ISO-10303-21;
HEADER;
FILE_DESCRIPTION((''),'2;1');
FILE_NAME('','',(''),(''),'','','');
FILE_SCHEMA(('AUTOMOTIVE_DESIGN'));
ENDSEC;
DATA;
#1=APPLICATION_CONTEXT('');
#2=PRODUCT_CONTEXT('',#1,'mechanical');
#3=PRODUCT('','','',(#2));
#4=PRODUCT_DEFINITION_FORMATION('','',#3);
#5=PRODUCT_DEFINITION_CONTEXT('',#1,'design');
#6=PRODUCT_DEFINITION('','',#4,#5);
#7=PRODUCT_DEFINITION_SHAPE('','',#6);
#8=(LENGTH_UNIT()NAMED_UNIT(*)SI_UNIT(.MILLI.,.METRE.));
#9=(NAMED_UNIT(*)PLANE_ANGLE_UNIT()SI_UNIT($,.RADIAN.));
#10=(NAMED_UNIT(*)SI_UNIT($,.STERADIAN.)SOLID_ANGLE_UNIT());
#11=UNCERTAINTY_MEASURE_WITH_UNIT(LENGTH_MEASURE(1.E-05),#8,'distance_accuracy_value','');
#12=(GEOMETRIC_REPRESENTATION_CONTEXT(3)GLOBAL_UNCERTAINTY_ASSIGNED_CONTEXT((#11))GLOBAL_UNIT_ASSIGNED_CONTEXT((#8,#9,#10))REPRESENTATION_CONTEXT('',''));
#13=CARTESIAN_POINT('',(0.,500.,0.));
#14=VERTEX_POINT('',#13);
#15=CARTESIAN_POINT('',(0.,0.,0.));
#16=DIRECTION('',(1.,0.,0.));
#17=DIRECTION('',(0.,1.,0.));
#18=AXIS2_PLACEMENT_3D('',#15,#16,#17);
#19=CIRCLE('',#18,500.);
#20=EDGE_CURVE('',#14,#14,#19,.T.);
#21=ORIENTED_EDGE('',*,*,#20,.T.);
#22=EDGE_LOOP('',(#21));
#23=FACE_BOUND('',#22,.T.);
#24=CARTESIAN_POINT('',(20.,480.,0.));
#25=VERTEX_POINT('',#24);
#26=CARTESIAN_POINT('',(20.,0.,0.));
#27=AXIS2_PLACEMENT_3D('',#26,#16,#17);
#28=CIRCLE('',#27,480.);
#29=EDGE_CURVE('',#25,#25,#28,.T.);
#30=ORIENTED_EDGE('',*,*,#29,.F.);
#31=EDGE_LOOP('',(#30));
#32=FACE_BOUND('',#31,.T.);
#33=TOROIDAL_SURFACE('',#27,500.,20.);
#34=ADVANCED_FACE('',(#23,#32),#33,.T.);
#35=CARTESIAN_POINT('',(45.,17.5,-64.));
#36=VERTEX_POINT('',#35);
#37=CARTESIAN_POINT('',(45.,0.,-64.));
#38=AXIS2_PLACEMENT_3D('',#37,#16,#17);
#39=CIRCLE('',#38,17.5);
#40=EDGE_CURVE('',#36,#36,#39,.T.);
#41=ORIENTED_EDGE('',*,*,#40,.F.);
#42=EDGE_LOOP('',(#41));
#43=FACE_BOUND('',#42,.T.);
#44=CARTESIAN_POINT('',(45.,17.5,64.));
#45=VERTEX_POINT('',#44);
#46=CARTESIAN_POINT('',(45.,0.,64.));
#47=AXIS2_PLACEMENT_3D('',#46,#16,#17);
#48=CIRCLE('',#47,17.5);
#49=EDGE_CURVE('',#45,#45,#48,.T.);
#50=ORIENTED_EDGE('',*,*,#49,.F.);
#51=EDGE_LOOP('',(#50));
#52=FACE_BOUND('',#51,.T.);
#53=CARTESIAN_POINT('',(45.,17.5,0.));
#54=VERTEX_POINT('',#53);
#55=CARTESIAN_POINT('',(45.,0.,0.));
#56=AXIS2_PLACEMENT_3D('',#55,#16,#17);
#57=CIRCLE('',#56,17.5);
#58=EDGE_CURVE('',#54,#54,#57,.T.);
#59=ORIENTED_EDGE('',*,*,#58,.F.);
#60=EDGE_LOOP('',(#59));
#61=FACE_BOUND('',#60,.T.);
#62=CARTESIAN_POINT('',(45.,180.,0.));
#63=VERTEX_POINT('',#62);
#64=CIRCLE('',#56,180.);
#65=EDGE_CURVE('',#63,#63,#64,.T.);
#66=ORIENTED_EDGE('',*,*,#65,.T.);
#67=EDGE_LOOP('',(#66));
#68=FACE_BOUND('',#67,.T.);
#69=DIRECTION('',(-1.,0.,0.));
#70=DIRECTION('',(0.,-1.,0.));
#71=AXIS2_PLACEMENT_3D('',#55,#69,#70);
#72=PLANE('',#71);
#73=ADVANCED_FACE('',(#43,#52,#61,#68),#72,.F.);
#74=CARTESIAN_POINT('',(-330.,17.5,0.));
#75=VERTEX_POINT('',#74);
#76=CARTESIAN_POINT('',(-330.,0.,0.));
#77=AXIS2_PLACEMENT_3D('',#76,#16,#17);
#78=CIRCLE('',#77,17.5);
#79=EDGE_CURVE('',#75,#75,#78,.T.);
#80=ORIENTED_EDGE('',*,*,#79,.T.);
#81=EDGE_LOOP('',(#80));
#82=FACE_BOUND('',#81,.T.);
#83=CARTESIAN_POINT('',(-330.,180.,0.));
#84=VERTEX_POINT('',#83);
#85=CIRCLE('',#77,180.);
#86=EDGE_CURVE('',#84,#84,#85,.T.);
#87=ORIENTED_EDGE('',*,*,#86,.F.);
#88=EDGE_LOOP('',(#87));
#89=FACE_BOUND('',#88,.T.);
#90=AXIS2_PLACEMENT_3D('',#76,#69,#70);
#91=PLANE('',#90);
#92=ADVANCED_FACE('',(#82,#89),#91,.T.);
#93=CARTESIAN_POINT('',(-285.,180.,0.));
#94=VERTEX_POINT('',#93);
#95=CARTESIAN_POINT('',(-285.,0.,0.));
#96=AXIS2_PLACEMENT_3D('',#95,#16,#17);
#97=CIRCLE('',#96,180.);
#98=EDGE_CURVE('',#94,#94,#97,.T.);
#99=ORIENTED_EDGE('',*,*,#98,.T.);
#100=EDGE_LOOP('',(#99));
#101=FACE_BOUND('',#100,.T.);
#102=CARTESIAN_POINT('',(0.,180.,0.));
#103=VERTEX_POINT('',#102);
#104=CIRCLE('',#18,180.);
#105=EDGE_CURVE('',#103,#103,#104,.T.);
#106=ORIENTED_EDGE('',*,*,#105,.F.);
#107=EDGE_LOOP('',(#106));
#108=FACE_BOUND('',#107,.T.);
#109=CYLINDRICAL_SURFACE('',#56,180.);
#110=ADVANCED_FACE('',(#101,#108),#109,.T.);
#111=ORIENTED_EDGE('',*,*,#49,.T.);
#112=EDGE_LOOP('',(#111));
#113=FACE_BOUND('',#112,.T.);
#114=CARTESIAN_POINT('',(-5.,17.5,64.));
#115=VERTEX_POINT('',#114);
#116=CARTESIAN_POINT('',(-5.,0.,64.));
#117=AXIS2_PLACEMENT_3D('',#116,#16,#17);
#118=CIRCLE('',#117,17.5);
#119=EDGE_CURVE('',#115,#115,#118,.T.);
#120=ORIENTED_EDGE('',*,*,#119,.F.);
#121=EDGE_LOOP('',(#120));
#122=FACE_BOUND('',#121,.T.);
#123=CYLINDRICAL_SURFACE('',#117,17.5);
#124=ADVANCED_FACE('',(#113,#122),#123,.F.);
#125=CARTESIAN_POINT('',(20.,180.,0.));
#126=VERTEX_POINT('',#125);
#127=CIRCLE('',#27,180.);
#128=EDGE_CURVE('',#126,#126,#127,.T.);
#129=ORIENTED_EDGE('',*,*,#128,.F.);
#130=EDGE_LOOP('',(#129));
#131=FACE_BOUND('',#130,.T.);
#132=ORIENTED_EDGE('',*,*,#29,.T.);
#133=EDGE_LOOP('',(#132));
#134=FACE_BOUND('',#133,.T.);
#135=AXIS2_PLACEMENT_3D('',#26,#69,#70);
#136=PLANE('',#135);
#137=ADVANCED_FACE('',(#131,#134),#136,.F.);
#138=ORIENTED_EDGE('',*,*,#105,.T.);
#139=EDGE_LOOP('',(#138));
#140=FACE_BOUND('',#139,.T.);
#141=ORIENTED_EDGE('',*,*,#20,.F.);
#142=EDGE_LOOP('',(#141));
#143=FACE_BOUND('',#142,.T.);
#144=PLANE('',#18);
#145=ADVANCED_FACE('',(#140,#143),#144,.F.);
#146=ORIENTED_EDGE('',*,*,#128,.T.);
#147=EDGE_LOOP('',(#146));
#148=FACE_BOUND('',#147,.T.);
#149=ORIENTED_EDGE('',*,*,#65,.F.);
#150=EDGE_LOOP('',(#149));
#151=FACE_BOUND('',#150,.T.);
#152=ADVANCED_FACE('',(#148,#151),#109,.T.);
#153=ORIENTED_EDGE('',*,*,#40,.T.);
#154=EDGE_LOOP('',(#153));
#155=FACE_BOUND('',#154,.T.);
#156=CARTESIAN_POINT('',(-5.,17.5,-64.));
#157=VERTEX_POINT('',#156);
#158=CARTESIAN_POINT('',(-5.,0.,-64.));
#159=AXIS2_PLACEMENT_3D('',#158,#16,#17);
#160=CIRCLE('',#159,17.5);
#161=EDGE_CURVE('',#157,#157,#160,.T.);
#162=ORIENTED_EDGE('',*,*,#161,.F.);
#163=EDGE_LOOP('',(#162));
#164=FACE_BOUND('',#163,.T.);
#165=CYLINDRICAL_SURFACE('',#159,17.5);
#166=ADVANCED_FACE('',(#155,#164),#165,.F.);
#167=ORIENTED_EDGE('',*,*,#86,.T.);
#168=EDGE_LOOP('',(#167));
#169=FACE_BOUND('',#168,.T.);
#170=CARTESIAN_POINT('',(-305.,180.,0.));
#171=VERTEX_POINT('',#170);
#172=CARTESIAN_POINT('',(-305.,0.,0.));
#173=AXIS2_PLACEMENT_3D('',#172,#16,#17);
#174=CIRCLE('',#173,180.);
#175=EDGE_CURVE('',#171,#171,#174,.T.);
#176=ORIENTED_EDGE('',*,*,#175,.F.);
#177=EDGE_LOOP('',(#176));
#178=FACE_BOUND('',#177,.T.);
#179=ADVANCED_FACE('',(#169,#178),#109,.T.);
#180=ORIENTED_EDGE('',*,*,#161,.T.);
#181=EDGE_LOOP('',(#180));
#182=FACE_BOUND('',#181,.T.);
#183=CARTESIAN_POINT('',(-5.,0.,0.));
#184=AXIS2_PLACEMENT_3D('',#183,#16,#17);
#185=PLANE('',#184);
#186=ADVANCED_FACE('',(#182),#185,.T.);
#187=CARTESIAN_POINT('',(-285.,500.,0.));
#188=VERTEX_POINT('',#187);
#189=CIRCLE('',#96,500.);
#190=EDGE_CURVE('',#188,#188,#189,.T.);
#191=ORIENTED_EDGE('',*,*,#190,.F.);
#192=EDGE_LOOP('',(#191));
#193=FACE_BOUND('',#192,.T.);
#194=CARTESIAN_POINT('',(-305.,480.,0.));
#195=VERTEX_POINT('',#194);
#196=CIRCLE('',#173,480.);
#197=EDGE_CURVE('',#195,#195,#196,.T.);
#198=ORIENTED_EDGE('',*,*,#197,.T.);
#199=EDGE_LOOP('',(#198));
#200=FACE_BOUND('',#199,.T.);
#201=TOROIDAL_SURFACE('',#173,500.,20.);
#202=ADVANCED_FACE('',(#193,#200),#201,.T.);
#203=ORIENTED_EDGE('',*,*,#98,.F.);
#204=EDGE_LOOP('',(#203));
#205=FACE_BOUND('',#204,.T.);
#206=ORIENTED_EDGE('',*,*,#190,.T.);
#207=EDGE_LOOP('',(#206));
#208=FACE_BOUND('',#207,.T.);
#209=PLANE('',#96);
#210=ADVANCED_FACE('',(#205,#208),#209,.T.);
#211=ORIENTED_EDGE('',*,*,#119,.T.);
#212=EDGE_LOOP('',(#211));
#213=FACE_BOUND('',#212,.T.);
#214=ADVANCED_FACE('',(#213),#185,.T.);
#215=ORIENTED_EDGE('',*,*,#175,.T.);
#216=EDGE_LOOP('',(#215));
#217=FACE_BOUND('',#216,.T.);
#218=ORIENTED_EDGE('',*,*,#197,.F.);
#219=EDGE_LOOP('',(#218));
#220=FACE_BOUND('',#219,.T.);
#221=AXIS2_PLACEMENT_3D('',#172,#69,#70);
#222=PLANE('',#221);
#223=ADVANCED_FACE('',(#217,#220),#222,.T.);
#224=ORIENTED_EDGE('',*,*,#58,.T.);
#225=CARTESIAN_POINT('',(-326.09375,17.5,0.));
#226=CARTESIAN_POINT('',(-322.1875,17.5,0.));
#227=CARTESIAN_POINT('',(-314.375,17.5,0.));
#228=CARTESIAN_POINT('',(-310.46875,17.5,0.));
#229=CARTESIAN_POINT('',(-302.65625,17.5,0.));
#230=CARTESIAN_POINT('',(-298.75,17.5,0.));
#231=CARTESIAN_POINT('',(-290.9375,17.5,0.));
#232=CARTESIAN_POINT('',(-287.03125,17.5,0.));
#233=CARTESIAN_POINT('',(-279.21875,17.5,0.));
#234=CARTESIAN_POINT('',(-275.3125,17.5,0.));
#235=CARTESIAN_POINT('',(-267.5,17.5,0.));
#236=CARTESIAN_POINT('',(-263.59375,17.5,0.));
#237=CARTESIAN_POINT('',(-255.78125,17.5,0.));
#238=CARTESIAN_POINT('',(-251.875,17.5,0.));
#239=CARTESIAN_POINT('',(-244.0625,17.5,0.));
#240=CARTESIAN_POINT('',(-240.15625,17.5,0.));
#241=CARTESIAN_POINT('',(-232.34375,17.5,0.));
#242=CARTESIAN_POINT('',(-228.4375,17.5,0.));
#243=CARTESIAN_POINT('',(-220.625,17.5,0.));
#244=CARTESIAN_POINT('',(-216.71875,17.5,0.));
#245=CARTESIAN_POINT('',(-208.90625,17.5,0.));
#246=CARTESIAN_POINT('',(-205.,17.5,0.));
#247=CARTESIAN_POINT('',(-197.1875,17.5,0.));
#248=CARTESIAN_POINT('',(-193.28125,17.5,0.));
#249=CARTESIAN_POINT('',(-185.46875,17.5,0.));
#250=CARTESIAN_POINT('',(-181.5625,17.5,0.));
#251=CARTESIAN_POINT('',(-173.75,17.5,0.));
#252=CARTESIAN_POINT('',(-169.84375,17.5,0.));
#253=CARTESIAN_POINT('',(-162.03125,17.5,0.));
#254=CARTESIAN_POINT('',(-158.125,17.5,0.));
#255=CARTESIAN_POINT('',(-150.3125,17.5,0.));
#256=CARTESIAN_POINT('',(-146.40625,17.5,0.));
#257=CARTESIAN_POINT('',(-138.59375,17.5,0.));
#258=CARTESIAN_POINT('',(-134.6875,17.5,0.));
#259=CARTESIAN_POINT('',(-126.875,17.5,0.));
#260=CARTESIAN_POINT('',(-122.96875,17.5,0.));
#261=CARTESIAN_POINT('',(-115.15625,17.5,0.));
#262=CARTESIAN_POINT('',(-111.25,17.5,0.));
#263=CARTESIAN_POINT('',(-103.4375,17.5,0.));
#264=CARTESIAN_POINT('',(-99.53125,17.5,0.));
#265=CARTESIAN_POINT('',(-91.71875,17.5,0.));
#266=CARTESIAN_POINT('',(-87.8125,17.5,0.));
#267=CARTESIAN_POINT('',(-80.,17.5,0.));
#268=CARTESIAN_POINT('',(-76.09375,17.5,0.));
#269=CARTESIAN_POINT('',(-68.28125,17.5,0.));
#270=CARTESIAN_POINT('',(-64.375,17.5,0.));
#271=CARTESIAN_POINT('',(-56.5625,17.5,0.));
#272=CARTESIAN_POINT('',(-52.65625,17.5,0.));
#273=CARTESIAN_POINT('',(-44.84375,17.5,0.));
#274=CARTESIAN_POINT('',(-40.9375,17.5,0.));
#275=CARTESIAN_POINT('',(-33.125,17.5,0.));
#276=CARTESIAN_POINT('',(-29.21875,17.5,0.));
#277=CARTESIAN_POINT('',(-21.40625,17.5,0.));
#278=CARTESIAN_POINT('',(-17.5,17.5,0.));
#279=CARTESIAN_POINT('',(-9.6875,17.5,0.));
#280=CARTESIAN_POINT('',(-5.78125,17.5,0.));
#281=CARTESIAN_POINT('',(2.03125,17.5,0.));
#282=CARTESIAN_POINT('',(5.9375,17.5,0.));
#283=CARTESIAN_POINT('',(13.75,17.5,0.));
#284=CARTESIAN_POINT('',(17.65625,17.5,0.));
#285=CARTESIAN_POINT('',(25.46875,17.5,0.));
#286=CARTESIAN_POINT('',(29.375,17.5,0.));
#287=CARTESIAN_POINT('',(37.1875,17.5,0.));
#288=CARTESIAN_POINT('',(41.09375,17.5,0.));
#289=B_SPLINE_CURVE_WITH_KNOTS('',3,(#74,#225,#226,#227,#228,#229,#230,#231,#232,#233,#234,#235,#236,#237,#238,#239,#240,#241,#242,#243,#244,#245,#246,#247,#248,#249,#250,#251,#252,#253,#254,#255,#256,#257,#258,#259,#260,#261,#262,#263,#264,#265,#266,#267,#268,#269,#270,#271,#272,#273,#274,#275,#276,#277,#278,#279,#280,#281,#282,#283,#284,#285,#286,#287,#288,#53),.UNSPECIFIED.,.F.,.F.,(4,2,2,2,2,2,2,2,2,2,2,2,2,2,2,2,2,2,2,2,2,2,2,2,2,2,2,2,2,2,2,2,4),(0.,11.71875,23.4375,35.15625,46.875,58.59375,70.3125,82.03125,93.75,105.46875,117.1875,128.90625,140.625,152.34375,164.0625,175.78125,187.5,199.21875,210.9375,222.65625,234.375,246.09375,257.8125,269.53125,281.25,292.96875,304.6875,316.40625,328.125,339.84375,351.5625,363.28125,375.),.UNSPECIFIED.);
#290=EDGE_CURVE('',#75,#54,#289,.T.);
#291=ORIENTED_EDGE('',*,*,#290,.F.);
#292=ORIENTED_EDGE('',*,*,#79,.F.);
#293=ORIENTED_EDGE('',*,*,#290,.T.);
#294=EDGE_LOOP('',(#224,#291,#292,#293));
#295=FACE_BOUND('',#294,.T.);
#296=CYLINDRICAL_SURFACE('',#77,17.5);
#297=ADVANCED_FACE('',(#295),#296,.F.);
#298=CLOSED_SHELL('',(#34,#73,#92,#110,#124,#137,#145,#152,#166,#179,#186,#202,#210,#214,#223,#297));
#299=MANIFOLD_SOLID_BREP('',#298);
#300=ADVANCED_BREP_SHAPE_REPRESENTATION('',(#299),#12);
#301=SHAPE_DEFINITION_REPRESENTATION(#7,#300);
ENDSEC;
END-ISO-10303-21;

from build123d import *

# Parameters (mm, degrees)
ESQUISSE2_R             = 17.5
ENL_V_MAT_EXTRU_1_DEPTH = 826.484706223
ESQUISSE2_3_R           = 17.5
ENL_V_MAT_EXTRU_2_DEPTH = 50


with BuildPart() as part:
    # Esquisse1 → Révolution1 (revolve)
    with BuildSketch(Plane.XY):
        with BuildLine():
            Line((45, 0), (45, 180))
            Line((45, 180), (20, 180))
            Line((20, 180), (20, 480))
            ThreePointArc((20, 480), (34.142135624, 514.142135624), (0, 500))
            Line((0, 500), (0, 180))
            Line((0, 180), (-285, 180))
            Line((-285, 180), (-285, 500))
            ThreePointArc((-285, 500), (-319.142135624, 514.142135624), (-305, 480))
            Line((-305, 480), (-305, 180))
            Line((-305, 180), (-330, 180))
            Line((-330, 180), (-330, 0))
            Line((-330, 0), (45, 0))
        make_face()
    revolve(axis=Axis((45, 0, 0), (-1, 0, 0)))

    # Esquisse2 → Enlèv. mat.-Extru.1 (cut, through all)
    with BuildSketch(Plane(origin=(45, 0, 0), x_dir=(0, 0, -1), z_dir=(1, 0, 0))):
        Circle(ESQUISSE2_R)
    extrude(amount=-ENL_V_MAT_EXTRU_1_DEPTH, mode=Mode.SUBTRACT)

    # Esquisse2<3> → Enlèv. mat.-Extru.2 (cut)
    with BuildSketch(Plane(origin=(45, 0, 0), x_dir=(0, 0, -1), z_dir=(1, 0, 0))):
        with Locations((64, 0)):
            Circle(ESQUISSE2_3_R)
        with Locations((-64, 0)):
            Circle(ESQUISSE2_3_R)
    extrude(amount=-ENL_V_MAT_EXTRU_2_DEPTH, mode=Mode.SUBTRACT)


solid = part.part
